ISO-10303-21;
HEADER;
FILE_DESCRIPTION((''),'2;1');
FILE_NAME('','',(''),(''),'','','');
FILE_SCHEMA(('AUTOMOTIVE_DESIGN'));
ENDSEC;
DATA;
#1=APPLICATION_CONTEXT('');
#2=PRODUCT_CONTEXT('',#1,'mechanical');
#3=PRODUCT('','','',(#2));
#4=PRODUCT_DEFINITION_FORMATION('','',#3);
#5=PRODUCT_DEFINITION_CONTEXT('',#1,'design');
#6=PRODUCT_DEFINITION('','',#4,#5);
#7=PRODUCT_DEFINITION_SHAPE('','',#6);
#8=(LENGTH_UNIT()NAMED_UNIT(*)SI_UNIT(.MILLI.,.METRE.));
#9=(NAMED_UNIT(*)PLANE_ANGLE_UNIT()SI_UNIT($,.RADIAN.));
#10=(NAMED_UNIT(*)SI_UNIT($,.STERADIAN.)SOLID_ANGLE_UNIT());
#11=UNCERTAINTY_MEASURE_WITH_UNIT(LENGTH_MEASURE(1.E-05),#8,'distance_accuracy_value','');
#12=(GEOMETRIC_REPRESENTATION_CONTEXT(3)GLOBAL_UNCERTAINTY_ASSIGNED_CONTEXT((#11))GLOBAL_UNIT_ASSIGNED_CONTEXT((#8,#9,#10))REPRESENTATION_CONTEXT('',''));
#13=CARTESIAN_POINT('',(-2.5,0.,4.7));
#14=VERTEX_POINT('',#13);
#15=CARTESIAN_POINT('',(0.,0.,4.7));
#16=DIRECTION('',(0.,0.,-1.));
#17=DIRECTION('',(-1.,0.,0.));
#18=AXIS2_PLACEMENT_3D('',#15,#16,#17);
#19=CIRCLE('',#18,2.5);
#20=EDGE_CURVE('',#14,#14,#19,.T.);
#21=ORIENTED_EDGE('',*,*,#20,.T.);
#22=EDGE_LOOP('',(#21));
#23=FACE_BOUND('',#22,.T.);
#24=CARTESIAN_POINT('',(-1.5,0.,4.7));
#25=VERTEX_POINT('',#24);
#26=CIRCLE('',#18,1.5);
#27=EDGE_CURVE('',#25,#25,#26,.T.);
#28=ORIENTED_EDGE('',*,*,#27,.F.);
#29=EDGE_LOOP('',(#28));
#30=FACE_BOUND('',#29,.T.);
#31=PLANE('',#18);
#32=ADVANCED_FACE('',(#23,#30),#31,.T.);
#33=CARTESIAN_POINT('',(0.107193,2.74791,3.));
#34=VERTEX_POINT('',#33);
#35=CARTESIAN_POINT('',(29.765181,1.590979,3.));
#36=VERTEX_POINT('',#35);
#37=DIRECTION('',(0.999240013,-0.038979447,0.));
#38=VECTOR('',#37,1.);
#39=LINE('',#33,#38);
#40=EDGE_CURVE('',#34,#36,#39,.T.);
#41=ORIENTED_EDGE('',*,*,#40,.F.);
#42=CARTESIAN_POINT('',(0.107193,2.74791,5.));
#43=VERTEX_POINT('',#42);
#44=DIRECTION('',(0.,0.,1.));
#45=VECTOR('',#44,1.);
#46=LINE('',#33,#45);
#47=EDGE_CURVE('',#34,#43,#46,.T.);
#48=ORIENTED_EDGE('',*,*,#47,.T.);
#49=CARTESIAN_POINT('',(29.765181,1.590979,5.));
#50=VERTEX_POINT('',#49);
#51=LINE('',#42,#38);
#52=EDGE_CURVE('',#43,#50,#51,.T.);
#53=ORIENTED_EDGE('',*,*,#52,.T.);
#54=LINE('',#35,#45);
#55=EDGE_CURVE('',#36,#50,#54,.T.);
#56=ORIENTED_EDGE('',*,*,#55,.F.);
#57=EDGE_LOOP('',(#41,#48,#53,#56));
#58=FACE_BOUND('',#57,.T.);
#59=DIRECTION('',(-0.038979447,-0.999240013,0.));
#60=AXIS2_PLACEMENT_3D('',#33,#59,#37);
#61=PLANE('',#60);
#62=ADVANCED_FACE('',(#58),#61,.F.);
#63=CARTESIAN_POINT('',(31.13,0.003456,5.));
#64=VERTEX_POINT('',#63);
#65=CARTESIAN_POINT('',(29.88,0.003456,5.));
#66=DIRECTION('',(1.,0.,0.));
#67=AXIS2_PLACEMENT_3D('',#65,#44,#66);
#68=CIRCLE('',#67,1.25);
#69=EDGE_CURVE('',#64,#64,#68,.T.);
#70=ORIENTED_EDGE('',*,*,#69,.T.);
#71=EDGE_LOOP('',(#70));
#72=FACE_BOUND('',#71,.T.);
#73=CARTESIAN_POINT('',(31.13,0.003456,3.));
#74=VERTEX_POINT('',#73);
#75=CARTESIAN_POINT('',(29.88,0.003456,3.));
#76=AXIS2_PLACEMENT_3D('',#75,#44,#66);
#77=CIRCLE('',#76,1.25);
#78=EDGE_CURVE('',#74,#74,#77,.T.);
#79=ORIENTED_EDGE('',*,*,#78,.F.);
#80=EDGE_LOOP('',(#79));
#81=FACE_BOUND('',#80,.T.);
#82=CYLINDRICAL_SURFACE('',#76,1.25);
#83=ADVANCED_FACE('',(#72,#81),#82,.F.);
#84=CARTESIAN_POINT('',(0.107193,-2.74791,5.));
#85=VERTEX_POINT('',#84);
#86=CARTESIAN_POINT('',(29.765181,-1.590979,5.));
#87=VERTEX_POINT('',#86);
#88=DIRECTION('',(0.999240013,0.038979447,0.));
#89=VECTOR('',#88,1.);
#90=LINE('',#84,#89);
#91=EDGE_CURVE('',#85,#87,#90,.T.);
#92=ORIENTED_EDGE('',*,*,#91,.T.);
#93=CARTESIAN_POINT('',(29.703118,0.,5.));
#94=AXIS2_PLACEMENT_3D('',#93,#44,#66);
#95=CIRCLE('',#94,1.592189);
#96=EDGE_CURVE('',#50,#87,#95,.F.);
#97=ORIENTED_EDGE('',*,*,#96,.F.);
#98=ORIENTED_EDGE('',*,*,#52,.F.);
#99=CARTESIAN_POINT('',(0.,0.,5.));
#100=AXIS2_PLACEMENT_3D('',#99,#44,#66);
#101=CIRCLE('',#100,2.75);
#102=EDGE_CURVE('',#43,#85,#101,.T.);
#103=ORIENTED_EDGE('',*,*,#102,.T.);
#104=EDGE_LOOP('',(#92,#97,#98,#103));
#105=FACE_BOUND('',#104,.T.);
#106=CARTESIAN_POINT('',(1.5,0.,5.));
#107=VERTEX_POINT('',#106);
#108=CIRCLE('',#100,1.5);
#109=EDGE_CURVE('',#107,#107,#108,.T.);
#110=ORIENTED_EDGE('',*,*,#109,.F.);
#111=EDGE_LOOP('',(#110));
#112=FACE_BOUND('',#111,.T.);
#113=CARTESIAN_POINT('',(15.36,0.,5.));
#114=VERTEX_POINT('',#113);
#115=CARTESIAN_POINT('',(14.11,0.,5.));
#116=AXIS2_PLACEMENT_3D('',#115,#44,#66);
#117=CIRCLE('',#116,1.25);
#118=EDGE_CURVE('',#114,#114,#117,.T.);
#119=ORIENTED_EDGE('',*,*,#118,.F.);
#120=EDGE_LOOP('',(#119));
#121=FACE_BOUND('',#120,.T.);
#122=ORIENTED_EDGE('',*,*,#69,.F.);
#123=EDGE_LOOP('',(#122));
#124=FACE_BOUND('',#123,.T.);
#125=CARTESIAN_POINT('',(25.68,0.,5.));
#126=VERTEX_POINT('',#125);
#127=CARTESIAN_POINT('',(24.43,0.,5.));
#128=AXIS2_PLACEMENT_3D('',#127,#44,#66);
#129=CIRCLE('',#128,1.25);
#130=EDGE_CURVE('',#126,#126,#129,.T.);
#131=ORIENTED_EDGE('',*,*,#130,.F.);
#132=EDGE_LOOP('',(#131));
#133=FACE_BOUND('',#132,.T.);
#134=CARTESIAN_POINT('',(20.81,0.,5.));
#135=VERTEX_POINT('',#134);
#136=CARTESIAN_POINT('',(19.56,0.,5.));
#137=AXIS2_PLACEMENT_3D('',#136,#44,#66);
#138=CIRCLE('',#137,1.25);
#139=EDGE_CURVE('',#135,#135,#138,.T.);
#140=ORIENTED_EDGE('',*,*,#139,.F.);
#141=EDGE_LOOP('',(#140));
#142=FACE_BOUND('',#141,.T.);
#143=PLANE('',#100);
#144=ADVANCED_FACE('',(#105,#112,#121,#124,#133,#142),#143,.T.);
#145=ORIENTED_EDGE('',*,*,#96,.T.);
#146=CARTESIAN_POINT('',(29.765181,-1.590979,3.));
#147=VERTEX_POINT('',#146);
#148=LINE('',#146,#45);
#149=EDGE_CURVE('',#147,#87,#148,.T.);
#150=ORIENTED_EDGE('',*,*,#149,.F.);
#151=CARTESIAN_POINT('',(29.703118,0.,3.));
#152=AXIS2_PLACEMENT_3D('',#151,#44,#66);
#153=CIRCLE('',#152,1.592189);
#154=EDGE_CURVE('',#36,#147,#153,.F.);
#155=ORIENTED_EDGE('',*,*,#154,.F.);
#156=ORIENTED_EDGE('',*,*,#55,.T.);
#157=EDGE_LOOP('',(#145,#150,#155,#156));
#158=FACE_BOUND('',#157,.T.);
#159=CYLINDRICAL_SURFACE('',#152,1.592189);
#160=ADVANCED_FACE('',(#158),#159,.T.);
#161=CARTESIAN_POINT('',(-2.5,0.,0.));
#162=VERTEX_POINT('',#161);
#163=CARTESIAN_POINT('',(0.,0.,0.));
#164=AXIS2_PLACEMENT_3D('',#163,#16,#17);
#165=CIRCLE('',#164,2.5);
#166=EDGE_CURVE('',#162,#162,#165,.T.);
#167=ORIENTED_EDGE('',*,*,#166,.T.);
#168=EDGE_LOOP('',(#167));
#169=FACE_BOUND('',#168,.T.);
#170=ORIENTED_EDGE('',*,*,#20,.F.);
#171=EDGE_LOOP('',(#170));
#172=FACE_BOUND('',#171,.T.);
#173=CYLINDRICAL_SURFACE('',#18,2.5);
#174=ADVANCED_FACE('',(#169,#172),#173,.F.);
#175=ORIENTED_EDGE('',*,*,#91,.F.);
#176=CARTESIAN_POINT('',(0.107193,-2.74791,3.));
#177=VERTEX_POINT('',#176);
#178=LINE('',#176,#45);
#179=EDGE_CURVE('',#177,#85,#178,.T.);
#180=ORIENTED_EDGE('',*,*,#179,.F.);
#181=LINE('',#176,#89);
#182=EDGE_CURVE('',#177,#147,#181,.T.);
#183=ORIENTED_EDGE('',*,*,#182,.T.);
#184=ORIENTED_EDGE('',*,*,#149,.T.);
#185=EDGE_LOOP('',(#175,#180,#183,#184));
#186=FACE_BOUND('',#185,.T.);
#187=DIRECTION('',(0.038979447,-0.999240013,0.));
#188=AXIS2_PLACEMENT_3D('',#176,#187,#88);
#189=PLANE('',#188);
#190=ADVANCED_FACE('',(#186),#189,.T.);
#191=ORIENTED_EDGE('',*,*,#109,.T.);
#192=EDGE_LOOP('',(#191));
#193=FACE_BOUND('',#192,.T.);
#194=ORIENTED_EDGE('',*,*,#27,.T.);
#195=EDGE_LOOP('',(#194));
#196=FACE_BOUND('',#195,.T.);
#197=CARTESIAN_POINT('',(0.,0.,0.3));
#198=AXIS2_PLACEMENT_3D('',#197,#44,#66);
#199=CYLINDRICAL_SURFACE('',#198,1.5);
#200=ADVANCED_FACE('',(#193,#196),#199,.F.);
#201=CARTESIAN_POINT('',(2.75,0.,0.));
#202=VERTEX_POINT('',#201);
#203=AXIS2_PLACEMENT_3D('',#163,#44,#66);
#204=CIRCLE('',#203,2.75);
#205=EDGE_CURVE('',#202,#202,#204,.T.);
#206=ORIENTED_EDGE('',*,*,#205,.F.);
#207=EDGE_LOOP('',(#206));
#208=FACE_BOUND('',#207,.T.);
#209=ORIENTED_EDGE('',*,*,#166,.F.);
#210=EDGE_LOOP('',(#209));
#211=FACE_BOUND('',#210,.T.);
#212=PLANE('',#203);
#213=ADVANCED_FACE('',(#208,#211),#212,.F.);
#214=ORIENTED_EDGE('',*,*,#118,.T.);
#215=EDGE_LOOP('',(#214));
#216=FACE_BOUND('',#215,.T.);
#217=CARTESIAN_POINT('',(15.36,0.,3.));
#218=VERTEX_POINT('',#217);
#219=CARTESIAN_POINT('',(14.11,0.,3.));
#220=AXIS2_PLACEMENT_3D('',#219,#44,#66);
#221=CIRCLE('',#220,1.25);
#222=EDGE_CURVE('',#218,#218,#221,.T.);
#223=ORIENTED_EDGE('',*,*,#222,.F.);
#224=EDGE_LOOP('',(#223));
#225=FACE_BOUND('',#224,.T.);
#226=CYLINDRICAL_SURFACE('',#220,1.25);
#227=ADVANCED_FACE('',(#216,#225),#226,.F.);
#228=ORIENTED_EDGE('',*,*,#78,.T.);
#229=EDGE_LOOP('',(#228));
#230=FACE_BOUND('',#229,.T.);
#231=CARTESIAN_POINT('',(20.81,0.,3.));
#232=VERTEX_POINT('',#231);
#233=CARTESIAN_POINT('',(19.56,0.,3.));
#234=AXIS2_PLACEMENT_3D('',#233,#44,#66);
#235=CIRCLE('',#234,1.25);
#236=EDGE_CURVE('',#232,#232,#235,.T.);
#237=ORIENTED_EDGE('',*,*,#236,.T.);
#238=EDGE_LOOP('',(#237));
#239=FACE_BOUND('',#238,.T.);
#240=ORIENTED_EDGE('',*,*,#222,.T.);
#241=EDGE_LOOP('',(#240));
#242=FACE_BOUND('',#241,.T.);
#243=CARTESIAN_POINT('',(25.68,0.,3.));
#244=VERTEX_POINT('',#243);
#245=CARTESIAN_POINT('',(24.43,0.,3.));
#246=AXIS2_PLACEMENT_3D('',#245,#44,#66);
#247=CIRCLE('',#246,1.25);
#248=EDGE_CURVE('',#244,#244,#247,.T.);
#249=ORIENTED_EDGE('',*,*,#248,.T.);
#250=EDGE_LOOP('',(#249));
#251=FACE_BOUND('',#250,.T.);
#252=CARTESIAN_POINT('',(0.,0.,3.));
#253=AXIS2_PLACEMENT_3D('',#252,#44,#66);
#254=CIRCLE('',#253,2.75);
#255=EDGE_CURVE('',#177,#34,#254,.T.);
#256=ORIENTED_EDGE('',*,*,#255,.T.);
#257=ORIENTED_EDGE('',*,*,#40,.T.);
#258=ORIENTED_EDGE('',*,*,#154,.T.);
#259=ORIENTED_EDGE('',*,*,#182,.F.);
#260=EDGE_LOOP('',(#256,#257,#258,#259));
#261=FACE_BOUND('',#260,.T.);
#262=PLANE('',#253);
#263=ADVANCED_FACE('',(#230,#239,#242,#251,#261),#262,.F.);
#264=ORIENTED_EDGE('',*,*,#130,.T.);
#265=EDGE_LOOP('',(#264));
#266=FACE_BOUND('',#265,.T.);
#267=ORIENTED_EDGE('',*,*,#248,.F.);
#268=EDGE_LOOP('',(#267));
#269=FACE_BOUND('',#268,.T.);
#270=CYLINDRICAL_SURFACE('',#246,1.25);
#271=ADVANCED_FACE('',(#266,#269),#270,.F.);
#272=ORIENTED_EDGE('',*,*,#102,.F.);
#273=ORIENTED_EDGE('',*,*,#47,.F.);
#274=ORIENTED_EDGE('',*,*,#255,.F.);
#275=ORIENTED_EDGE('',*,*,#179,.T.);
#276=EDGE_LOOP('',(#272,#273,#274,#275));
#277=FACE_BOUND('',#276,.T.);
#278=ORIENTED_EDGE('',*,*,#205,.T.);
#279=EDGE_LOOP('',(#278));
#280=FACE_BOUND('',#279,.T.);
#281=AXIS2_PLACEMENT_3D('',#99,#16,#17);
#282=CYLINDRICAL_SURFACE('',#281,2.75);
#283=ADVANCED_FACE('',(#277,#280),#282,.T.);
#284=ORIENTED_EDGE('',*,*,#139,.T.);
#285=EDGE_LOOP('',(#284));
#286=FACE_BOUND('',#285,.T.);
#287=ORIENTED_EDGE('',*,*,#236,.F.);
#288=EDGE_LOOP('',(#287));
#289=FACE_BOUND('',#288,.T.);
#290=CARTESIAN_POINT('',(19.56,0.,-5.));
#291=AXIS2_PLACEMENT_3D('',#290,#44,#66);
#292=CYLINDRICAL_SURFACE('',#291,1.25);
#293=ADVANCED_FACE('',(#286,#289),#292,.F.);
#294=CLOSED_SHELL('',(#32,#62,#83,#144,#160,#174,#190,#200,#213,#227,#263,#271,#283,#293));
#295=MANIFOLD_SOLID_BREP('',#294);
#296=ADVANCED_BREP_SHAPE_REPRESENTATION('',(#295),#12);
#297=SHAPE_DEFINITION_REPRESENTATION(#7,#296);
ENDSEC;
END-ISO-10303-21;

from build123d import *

# Parameters (mm, degrees)
SKETCH_1_R          = 2.75
EXTRUDE_1_DEPTH     = 5
SKETCH_2_R          = 2.5
CUT_EXTRUDE_1_DEPTH = 4.7
SKETCH_3_R          = 1.5
CUT_EXTRUDE_2_DEPTH = 4.7
EXTRUDE_START       = -2
SKETCH_4_R          = 1.25
EXTRUDE_3_DEPTH     = 2
SKETCH_5_R          = 1.25
CUT_EXTRUDE_3_DEPTH = 10


with BuildPart() as part:
    # 草图1 → 凸台-拉伸1 (new body)
    with BuildSketch(Plane.XY):
        Circle(SKETCH_1_R)
    extrude(amount=EXTRUDE_1_DEPTH)

    # 草图2 → 切除-拉伸1 (cut)
    with BuildSketch(Plane(origin=(0, 0, 0), x_dir=(-1, 0, 0), z_dir=(0, 0, -1))):
        Circle(SKETCH_2_R)
    extrude(amount=-CUT_EXTRUDE_1_DEPTH, mode=Mode.SUBTRACT)

    # 草图3 → 切除-拉伸2 (cut)
    with BuildSketch(Plane.XY.offset(5)):
        Circle(SKETCH_3_R)
    extrude(amount=-CUT_EXTRUDE_2_DEPTH, mode=Mode.SUBTRACT)

    # 草图4 → 凸台-拉伸3 (add)
    with BuildSketch(Plane.XY.offset(5).offset(EXTRUDE_START)):
        with BuildLine():
            Line((29.765180985, 1.590978823), (0.10719348, 2.747910035))
            ThreePointArc((0.10719348, 2.747910035), (1.982079977, 1.906268335), (2.75, 0))
            ThreePointArc((2.75, 0), (1.982079977, -1.906268335), (0.10719348, -2.747910035))
            Line((0.10719348, -2.747910035), (29.765180985, -1.590978823))
            ThreePointArc((29.765180985, -1.590978823), (31.29530721, 0), (29.765180985, 1.590978823))
        make_face()
        with Locations((14.11, 0)):
            Circle(SKETCH_4_R, mode=Mode.SUBTRACT)
        with Locations((24.43, 0)):
            Circle(SKETCH_4_R, mode=Mode.SUBTRACT)
        with Locations((29.8799998, 0.003455751)):
            Circle(SKETCH_4_R, mode=Mode.SUBTRACT)
    extrude(amount=EXTRUDE_3_DEPTH)

    # 草图5 → 切除-拉伸3 (cut)
    with BuildSketch(Plane.XY.offset(5)):
        with Locations((19.56, 0)):
            Circle(SKETCH_5_R)
    extrude(amount=-CUT_EXTRUDE_3_DEPTH, mode=Mode.SUBTRACT)


solid = part.part
